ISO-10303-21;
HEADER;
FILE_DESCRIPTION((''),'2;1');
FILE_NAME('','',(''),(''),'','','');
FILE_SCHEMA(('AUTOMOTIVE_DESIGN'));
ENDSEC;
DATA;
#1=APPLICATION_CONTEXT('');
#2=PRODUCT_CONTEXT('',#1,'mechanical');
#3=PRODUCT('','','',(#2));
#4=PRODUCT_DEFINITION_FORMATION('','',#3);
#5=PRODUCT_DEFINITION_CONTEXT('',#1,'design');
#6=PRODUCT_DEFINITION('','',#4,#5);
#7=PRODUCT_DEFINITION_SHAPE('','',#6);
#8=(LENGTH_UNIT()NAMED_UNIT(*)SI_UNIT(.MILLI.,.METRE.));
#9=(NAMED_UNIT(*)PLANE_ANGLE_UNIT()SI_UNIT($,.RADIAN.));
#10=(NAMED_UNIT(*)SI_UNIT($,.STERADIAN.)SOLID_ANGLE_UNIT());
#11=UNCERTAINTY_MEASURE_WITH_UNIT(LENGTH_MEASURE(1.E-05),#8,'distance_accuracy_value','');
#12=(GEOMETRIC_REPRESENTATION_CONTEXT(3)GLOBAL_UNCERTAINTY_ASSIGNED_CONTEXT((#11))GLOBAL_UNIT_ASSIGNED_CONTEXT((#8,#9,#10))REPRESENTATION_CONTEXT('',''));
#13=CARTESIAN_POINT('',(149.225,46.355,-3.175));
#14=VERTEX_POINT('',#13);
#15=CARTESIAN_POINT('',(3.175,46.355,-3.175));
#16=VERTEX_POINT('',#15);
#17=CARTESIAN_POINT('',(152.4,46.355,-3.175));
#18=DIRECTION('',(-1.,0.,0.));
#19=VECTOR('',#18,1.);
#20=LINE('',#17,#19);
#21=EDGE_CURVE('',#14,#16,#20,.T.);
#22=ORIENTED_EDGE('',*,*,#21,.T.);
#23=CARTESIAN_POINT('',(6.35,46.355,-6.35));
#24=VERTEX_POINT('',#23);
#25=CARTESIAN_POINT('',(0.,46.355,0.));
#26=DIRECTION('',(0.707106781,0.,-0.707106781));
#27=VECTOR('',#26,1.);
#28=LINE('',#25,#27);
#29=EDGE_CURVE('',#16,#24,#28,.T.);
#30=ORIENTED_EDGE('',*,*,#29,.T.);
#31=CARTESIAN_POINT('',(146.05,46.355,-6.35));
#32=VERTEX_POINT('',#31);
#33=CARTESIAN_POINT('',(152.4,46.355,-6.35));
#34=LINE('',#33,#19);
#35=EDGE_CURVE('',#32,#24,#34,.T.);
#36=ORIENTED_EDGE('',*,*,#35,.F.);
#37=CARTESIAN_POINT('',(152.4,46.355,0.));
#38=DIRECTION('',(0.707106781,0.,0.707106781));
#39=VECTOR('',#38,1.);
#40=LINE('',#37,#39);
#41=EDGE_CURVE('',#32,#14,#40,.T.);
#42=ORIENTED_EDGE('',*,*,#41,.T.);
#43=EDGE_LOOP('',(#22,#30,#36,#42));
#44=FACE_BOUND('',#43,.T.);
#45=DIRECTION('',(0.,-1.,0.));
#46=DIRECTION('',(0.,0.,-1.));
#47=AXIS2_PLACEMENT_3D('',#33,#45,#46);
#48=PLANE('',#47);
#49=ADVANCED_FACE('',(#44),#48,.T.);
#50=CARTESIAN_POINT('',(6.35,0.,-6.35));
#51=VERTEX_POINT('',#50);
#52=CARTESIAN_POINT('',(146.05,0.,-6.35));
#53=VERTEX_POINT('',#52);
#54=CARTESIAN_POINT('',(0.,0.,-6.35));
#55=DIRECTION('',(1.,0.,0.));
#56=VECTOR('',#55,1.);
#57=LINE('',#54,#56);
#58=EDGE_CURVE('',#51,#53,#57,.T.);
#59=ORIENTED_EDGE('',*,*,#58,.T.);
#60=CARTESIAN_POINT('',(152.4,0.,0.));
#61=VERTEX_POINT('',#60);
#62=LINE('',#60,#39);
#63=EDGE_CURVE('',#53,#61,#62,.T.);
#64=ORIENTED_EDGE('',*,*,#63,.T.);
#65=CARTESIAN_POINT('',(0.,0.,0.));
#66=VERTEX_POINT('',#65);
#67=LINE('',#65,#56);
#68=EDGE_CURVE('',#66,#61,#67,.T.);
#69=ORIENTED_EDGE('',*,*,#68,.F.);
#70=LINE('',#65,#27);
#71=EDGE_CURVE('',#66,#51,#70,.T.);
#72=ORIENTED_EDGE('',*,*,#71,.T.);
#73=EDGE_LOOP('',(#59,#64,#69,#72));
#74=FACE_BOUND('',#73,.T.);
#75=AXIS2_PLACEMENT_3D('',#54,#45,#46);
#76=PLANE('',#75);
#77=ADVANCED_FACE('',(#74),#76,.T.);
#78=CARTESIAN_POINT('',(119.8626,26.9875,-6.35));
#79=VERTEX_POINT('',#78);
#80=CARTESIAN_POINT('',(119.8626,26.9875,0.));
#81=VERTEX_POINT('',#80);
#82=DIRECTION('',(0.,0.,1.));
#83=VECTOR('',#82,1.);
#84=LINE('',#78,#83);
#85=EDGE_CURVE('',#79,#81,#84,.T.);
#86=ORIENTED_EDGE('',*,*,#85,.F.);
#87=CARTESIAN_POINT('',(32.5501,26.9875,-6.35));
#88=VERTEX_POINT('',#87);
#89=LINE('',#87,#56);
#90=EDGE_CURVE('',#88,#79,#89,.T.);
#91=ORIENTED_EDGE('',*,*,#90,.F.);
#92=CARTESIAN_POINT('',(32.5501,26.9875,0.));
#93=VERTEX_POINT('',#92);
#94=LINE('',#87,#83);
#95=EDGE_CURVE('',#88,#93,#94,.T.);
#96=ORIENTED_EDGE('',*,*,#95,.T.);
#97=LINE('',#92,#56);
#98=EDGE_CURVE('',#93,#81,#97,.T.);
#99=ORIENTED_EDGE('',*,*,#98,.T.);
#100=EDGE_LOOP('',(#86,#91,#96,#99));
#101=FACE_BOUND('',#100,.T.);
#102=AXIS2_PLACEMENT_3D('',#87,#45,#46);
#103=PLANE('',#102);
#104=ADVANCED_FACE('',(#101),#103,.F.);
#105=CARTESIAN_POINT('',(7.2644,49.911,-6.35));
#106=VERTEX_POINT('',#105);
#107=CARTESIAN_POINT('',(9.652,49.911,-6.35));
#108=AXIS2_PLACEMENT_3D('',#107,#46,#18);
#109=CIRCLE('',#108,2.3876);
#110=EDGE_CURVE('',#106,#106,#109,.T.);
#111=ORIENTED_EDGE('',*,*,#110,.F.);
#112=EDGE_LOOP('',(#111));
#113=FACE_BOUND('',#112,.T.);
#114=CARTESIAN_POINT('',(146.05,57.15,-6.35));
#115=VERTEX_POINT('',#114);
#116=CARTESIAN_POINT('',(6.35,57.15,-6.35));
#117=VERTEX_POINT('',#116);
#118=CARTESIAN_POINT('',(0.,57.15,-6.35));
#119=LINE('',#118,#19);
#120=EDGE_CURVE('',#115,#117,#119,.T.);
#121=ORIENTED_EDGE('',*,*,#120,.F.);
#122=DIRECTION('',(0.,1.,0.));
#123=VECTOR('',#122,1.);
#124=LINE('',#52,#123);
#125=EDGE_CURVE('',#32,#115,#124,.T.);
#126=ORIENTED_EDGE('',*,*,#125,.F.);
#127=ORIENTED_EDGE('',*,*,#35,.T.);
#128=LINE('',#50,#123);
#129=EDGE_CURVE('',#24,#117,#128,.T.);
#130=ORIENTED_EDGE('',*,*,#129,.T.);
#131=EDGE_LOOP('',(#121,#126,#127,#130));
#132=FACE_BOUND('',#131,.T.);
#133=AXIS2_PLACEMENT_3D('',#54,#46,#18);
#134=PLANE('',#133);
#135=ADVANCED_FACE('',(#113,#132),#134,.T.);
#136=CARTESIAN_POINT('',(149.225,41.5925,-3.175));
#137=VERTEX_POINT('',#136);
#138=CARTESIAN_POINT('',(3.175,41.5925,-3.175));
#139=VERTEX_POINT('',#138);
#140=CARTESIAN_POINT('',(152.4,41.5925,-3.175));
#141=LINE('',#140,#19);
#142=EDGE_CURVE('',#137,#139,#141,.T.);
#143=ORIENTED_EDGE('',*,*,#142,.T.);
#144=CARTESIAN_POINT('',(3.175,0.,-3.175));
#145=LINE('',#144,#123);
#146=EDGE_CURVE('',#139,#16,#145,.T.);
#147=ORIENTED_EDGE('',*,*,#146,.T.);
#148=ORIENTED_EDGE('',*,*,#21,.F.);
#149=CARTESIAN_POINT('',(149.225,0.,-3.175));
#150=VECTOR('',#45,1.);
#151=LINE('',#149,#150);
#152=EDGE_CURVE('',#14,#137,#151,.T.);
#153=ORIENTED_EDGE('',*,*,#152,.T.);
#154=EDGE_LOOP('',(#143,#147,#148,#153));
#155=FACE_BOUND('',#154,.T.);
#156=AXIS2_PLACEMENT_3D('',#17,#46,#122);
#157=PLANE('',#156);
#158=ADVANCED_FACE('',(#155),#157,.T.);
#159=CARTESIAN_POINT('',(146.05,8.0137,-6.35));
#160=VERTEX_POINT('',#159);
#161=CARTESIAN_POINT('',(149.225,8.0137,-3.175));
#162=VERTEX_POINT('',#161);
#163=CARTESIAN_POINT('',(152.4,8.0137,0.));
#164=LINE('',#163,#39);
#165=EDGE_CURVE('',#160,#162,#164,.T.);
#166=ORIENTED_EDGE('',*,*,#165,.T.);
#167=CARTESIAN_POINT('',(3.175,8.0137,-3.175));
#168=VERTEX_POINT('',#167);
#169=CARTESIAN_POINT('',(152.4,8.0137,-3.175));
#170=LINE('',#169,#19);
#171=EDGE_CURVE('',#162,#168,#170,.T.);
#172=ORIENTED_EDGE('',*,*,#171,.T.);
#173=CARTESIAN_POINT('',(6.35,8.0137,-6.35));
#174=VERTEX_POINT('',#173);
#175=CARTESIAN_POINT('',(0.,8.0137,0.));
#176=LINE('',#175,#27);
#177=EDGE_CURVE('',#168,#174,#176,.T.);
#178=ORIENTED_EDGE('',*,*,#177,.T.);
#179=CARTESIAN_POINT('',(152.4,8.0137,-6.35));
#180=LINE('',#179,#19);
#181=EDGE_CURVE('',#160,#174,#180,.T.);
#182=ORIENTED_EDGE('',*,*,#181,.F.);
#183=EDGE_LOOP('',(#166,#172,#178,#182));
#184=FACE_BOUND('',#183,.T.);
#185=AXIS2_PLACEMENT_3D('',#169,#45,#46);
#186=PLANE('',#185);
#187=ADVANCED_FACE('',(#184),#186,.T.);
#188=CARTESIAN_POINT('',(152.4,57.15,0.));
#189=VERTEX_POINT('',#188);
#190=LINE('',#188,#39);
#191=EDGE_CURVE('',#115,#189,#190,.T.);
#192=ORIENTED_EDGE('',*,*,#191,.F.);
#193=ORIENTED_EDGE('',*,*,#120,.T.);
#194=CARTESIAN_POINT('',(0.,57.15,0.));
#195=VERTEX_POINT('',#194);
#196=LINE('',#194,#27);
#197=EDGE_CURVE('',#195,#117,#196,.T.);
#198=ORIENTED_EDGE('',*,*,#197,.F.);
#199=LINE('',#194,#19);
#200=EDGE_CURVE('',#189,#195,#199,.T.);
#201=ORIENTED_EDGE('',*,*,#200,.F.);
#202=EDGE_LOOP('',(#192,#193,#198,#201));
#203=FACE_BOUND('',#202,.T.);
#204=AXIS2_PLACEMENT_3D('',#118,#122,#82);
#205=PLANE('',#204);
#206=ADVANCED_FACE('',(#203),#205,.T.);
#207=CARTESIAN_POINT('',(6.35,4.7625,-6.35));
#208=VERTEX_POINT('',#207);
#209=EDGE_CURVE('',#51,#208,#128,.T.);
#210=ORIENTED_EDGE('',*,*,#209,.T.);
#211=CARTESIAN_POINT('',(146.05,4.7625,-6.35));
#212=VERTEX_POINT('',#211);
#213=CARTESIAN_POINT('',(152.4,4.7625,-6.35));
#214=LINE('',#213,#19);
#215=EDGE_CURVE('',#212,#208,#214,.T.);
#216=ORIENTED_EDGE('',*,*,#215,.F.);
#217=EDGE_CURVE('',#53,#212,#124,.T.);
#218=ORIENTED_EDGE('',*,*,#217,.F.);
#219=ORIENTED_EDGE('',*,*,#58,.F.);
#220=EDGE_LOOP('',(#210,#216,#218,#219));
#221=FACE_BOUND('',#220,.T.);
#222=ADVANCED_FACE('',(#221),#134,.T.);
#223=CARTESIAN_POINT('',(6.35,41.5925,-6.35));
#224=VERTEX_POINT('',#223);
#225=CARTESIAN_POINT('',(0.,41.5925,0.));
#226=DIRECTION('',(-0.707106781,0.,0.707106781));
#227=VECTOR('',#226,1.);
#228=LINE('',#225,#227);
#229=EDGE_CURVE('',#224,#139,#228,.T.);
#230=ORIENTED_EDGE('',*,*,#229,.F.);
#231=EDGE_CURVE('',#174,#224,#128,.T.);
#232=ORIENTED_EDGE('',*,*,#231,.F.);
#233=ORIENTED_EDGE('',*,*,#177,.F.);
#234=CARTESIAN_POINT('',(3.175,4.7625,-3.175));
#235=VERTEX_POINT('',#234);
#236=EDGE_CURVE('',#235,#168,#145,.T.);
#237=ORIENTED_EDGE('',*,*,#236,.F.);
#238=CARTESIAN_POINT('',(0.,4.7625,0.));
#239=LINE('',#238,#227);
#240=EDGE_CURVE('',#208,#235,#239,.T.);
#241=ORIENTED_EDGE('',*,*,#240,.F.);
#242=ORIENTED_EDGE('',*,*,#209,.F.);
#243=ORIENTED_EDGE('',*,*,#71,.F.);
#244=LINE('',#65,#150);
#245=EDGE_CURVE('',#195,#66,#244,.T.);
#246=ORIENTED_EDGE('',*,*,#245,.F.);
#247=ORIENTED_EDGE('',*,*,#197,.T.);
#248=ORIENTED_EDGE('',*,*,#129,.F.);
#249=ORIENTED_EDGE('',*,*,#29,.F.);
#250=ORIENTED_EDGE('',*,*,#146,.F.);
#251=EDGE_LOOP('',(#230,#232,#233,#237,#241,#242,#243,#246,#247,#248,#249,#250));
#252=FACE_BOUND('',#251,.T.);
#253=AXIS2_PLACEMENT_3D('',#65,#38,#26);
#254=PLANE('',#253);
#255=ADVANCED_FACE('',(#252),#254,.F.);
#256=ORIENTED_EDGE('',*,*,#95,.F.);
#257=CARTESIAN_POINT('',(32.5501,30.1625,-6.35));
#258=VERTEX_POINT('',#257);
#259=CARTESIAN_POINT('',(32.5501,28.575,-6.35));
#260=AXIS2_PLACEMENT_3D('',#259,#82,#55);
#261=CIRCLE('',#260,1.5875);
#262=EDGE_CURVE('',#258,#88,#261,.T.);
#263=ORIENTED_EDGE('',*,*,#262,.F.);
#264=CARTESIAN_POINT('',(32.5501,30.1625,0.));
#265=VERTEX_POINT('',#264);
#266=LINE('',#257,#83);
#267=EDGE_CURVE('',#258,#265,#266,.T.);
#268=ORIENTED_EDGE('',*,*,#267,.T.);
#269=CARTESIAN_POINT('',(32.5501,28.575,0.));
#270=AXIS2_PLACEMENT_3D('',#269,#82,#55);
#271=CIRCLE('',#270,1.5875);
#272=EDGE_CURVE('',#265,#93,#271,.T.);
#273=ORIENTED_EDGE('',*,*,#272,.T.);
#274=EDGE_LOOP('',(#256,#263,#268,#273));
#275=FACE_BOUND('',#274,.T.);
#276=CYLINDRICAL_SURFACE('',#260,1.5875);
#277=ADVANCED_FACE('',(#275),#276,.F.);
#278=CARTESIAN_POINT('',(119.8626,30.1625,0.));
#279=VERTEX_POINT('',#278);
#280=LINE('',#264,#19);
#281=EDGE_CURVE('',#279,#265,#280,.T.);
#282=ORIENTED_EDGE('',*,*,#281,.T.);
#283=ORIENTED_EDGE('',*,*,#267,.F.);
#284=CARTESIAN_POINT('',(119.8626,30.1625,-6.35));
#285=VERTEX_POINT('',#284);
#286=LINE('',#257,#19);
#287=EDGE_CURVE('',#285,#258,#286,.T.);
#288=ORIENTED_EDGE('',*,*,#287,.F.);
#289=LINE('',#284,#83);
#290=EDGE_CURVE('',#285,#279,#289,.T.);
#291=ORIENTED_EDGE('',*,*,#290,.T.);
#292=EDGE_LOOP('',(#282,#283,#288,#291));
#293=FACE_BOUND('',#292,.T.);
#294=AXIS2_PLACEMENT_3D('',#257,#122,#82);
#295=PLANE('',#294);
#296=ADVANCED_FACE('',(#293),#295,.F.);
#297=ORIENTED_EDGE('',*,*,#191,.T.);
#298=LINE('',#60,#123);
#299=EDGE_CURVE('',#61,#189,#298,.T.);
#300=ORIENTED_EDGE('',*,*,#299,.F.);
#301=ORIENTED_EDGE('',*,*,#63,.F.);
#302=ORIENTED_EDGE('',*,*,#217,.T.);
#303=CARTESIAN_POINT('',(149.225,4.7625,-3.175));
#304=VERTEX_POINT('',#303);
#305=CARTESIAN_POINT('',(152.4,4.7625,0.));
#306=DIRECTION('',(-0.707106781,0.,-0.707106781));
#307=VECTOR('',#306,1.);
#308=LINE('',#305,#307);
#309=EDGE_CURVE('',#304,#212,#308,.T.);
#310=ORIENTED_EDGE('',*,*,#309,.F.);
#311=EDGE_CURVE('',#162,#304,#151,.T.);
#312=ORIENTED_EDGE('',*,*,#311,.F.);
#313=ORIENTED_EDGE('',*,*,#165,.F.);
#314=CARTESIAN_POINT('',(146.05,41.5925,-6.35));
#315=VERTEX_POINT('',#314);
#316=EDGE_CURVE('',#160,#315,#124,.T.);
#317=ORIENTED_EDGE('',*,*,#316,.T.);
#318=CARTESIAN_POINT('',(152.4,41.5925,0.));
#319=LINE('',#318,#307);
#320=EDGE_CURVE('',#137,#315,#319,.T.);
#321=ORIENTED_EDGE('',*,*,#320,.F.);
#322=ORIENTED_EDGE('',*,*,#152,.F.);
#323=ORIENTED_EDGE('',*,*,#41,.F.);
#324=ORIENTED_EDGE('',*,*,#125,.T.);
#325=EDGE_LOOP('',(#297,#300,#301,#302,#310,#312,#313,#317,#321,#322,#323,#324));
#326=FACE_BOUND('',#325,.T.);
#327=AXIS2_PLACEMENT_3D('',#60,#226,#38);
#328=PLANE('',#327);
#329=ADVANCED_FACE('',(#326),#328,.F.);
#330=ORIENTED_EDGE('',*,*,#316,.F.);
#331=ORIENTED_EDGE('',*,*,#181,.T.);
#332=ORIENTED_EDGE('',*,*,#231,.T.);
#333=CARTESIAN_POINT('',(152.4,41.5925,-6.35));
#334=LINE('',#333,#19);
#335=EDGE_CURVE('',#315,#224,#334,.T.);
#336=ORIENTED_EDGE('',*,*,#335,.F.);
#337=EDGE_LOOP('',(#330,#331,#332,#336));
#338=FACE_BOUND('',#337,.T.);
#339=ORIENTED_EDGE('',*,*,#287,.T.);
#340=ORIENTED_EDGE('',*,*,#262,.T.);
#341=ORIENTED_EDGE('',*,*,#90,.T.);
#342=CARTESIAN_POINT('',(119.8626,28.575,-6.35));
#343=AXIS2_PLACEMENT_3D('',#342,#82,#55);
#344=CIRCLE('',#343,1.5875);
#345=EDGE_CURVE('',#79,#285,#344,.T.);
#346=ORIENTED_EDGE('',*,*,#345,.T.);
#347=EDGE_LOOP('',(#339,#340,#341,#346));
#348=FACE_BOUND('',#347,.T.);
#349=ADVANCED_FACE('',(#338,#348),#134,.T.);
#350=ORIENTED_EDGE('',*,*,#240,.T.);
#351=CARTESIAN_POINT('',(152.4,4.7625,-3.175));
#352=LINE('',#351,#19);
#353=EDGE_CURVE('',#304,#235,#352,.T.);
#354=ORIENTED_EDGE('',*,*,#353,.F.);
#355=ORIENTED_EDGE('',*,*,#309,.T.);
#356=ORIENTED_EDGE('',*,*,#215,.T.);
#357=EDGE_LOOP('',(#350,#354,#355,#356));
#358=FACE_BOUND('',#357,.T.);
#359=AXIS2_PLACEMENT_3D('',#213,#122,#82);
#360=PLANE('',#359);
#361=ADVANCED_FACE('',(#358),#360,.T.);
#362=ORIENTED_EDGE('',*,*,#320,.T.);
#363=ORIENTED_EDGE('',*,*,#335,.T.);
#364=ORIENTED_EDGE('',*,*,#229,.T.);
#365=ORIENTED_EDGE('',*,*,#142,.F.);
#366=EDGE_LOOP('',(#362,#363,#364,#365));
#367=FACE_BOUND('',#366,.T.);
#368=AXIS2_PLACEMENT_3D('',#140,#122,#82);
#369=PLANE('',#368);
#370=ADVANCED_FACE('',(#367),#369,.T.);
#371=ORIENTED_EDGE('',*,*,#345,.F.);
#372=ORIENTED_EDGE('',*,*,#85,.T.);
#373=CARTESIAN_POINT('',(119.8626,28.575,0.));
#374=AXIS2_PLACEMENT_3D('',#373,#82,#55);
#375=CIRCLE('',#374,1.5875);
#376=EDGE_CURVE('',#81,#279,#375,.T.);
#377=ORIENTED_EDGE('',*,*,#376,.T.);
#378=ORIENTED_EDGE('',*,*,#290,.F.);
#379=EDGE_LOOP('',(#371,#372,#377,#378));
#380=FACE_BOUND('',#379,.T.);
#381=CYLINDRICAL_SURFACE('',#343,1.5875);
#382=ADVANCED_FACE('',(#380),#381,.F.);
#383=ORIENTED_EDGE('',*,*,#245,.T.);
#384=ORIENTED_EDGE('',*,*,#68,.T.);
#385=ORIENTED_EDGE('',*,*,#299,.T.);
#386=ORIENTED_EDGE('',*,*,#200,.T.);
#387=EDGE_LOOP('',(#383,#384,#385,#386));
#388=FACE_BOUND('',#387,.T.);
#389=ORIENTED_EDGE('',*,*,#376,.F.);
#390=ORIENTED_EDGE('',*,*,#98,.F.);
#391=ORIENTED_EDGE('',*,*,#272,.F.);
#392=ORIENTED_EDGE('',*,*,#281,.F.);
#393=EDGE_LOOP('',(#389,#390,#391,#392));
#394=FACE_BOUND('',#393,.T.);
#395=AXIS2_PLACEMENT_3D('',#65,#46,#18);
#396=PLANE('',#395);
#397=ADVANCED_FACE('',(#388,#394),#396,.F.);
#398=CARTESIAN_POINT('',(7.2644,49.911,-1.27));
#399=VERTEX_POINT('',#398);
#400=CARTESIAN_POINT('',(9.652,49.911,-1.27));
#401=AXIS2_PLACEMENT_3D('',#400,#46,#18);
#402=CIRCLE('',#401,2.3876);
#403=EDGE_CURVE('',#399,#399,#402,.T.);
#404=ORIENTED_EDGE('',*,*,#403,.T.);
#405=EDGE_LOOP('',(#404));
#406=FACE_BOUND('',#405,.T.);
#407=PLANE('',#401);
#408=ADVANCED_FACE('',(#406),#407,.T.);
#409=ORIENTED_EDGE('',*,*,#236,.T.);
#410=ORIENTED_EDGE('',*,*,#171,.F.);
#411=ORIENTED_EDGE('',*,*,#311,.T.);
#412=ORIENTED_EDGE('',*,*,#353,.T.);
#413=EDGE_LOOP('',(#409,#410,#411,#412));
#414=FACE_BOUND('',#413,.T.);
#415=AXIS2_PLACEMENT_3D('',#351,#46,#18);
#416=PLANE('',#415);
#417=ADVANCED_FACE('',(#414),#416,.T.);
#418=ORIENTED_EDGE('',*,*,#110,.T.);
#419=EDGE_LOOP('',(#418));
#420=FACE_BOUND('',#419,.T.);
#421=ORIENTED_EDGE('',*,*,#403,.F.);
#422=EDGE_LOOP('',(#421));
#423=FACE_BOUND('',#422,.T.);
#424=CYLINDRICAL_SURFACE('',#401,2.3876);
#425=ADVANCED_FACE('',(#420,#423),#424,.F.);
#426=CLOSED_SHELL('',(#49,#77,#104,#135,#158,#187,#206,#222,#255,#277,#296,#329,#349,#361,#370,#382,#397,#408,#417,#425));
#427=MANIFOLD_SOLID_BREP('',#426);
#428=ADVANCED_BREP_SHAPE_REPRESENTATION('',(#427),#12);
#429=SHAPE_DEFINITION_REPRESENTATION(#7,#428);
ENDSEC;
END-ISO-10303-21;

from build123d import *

# Parameters (mm, degrees)
SKETCH1_W           = 152.4
SKETCH1_H           = 57.15
BOSS_EXTRUDE1_DEPTH = 6.35
CUT_EXTRUDE1_DEPTH  = 7.35
CUT_EXTRUDE2_DEPTH  = 58.15
SKETCH4_W           = 3.175
SKETCH4_H           = 4.7625
CUT_EXTRUDE3_DEPTH  = 153.4
SKETCH5_W           = 3.175
SKETCH5_H           = 3.2512
CUT_EXTRUDE4_DEPTH  = 153.4
SKETCH6_R           = 2.3876
CUT_EXTRUDE5_DEPTH  = 5.08


with BuildPart() as part:
    # Sketch1 → Boss-Extrude1 (new body)
    with BuildSketch(Plane.XY):
        with Locations((76.2, 28.575)):
            Rectangle(SKETCH1_W, SKETCH1_H)
    extrude(amount=-BOSS_EXTRUDE1_DEPTH)

    # Sketch2 → Cut-Extrude1 (cut, through all)
    with BuildSketch(Plane.XY):
        with BuildLine():
            Line((32.5501, 30.1625), (119.8626, 30.1625))
            ThreePointArc((119.8626, 30.1625), (121.4501, 28.575), (119.8626, 26.9875))
            Line((119.8626, 26.9875), (32.5501, 26.9875))
            ThreePointArc((32.5501, 26.9875), (30.9626, 28.575), (32.5501, 30.1625))
        make_face()
    extrude(amount=-CUT_EXTRUDE1_DEPTH, mode=Mode.SUBTRACT)

    # Sketch3 → Cut-Extrude2 (cut, through all)
    with BuildSketch(Plane(origin=(0, 57.15, 0), x_dir=(1, 0, 0), z_dir=(0, 1, 0))):
        Polygon((152.4, 0), (146.05, 6.35), (152.4, 6.35), align=None)
        Polygon((0, 0), (6.35, 6.35), (0, 6.35), align=None)
    extrude(amount=-CUT_EXTRUDE2_DEPTH, mode=Mode.SUBTRACT)

    # Sketch4 → Cut-Extrude3 (cut, through all)
    with BuildSketch(Plane(origin=(0, 0, 0), x_dir=(0, 0, -1), z_dir=(1, 0, 0))):
        with Locations((4.7625, 43.97375)):
            Rectangle(SKETCH4_W, SKETCH4_H)
    extrude(amount=CUT_EXTRUDE3_DEPTH, mode=Mode.SUBTRACT)

    # Sketch5 → Cut-Extrude4 (cut, through all)
    with BuildSketch(Plane(origin=(0, 0, 0), x_dir=(0, 0, -1), z_dir=(1, 0, 0))):
        with Locations((4.7625, 6.3881)):
            Rectangle(SKETCH5_W, SKETCH5_H)
    extrude(amount=CUT_EXTRUDE4_DEPTH, mode=Mode.SUBTRACT)

    # Sketch6 → Cut-Extrude5 (cut)
    with BuildSketch(Plane(origin=(0, 0, -6.35), x_dir=(-1, 0, 0), z_dir=(0, 0, -1))):
        with Locations((-9.652, 49.911)):
            Circle(SKETCH6_R)
    extrude(amount=-CUT_EXTRUDE5_DEPTH, mode=Mode.SUBTRACT)


solid = part.part
